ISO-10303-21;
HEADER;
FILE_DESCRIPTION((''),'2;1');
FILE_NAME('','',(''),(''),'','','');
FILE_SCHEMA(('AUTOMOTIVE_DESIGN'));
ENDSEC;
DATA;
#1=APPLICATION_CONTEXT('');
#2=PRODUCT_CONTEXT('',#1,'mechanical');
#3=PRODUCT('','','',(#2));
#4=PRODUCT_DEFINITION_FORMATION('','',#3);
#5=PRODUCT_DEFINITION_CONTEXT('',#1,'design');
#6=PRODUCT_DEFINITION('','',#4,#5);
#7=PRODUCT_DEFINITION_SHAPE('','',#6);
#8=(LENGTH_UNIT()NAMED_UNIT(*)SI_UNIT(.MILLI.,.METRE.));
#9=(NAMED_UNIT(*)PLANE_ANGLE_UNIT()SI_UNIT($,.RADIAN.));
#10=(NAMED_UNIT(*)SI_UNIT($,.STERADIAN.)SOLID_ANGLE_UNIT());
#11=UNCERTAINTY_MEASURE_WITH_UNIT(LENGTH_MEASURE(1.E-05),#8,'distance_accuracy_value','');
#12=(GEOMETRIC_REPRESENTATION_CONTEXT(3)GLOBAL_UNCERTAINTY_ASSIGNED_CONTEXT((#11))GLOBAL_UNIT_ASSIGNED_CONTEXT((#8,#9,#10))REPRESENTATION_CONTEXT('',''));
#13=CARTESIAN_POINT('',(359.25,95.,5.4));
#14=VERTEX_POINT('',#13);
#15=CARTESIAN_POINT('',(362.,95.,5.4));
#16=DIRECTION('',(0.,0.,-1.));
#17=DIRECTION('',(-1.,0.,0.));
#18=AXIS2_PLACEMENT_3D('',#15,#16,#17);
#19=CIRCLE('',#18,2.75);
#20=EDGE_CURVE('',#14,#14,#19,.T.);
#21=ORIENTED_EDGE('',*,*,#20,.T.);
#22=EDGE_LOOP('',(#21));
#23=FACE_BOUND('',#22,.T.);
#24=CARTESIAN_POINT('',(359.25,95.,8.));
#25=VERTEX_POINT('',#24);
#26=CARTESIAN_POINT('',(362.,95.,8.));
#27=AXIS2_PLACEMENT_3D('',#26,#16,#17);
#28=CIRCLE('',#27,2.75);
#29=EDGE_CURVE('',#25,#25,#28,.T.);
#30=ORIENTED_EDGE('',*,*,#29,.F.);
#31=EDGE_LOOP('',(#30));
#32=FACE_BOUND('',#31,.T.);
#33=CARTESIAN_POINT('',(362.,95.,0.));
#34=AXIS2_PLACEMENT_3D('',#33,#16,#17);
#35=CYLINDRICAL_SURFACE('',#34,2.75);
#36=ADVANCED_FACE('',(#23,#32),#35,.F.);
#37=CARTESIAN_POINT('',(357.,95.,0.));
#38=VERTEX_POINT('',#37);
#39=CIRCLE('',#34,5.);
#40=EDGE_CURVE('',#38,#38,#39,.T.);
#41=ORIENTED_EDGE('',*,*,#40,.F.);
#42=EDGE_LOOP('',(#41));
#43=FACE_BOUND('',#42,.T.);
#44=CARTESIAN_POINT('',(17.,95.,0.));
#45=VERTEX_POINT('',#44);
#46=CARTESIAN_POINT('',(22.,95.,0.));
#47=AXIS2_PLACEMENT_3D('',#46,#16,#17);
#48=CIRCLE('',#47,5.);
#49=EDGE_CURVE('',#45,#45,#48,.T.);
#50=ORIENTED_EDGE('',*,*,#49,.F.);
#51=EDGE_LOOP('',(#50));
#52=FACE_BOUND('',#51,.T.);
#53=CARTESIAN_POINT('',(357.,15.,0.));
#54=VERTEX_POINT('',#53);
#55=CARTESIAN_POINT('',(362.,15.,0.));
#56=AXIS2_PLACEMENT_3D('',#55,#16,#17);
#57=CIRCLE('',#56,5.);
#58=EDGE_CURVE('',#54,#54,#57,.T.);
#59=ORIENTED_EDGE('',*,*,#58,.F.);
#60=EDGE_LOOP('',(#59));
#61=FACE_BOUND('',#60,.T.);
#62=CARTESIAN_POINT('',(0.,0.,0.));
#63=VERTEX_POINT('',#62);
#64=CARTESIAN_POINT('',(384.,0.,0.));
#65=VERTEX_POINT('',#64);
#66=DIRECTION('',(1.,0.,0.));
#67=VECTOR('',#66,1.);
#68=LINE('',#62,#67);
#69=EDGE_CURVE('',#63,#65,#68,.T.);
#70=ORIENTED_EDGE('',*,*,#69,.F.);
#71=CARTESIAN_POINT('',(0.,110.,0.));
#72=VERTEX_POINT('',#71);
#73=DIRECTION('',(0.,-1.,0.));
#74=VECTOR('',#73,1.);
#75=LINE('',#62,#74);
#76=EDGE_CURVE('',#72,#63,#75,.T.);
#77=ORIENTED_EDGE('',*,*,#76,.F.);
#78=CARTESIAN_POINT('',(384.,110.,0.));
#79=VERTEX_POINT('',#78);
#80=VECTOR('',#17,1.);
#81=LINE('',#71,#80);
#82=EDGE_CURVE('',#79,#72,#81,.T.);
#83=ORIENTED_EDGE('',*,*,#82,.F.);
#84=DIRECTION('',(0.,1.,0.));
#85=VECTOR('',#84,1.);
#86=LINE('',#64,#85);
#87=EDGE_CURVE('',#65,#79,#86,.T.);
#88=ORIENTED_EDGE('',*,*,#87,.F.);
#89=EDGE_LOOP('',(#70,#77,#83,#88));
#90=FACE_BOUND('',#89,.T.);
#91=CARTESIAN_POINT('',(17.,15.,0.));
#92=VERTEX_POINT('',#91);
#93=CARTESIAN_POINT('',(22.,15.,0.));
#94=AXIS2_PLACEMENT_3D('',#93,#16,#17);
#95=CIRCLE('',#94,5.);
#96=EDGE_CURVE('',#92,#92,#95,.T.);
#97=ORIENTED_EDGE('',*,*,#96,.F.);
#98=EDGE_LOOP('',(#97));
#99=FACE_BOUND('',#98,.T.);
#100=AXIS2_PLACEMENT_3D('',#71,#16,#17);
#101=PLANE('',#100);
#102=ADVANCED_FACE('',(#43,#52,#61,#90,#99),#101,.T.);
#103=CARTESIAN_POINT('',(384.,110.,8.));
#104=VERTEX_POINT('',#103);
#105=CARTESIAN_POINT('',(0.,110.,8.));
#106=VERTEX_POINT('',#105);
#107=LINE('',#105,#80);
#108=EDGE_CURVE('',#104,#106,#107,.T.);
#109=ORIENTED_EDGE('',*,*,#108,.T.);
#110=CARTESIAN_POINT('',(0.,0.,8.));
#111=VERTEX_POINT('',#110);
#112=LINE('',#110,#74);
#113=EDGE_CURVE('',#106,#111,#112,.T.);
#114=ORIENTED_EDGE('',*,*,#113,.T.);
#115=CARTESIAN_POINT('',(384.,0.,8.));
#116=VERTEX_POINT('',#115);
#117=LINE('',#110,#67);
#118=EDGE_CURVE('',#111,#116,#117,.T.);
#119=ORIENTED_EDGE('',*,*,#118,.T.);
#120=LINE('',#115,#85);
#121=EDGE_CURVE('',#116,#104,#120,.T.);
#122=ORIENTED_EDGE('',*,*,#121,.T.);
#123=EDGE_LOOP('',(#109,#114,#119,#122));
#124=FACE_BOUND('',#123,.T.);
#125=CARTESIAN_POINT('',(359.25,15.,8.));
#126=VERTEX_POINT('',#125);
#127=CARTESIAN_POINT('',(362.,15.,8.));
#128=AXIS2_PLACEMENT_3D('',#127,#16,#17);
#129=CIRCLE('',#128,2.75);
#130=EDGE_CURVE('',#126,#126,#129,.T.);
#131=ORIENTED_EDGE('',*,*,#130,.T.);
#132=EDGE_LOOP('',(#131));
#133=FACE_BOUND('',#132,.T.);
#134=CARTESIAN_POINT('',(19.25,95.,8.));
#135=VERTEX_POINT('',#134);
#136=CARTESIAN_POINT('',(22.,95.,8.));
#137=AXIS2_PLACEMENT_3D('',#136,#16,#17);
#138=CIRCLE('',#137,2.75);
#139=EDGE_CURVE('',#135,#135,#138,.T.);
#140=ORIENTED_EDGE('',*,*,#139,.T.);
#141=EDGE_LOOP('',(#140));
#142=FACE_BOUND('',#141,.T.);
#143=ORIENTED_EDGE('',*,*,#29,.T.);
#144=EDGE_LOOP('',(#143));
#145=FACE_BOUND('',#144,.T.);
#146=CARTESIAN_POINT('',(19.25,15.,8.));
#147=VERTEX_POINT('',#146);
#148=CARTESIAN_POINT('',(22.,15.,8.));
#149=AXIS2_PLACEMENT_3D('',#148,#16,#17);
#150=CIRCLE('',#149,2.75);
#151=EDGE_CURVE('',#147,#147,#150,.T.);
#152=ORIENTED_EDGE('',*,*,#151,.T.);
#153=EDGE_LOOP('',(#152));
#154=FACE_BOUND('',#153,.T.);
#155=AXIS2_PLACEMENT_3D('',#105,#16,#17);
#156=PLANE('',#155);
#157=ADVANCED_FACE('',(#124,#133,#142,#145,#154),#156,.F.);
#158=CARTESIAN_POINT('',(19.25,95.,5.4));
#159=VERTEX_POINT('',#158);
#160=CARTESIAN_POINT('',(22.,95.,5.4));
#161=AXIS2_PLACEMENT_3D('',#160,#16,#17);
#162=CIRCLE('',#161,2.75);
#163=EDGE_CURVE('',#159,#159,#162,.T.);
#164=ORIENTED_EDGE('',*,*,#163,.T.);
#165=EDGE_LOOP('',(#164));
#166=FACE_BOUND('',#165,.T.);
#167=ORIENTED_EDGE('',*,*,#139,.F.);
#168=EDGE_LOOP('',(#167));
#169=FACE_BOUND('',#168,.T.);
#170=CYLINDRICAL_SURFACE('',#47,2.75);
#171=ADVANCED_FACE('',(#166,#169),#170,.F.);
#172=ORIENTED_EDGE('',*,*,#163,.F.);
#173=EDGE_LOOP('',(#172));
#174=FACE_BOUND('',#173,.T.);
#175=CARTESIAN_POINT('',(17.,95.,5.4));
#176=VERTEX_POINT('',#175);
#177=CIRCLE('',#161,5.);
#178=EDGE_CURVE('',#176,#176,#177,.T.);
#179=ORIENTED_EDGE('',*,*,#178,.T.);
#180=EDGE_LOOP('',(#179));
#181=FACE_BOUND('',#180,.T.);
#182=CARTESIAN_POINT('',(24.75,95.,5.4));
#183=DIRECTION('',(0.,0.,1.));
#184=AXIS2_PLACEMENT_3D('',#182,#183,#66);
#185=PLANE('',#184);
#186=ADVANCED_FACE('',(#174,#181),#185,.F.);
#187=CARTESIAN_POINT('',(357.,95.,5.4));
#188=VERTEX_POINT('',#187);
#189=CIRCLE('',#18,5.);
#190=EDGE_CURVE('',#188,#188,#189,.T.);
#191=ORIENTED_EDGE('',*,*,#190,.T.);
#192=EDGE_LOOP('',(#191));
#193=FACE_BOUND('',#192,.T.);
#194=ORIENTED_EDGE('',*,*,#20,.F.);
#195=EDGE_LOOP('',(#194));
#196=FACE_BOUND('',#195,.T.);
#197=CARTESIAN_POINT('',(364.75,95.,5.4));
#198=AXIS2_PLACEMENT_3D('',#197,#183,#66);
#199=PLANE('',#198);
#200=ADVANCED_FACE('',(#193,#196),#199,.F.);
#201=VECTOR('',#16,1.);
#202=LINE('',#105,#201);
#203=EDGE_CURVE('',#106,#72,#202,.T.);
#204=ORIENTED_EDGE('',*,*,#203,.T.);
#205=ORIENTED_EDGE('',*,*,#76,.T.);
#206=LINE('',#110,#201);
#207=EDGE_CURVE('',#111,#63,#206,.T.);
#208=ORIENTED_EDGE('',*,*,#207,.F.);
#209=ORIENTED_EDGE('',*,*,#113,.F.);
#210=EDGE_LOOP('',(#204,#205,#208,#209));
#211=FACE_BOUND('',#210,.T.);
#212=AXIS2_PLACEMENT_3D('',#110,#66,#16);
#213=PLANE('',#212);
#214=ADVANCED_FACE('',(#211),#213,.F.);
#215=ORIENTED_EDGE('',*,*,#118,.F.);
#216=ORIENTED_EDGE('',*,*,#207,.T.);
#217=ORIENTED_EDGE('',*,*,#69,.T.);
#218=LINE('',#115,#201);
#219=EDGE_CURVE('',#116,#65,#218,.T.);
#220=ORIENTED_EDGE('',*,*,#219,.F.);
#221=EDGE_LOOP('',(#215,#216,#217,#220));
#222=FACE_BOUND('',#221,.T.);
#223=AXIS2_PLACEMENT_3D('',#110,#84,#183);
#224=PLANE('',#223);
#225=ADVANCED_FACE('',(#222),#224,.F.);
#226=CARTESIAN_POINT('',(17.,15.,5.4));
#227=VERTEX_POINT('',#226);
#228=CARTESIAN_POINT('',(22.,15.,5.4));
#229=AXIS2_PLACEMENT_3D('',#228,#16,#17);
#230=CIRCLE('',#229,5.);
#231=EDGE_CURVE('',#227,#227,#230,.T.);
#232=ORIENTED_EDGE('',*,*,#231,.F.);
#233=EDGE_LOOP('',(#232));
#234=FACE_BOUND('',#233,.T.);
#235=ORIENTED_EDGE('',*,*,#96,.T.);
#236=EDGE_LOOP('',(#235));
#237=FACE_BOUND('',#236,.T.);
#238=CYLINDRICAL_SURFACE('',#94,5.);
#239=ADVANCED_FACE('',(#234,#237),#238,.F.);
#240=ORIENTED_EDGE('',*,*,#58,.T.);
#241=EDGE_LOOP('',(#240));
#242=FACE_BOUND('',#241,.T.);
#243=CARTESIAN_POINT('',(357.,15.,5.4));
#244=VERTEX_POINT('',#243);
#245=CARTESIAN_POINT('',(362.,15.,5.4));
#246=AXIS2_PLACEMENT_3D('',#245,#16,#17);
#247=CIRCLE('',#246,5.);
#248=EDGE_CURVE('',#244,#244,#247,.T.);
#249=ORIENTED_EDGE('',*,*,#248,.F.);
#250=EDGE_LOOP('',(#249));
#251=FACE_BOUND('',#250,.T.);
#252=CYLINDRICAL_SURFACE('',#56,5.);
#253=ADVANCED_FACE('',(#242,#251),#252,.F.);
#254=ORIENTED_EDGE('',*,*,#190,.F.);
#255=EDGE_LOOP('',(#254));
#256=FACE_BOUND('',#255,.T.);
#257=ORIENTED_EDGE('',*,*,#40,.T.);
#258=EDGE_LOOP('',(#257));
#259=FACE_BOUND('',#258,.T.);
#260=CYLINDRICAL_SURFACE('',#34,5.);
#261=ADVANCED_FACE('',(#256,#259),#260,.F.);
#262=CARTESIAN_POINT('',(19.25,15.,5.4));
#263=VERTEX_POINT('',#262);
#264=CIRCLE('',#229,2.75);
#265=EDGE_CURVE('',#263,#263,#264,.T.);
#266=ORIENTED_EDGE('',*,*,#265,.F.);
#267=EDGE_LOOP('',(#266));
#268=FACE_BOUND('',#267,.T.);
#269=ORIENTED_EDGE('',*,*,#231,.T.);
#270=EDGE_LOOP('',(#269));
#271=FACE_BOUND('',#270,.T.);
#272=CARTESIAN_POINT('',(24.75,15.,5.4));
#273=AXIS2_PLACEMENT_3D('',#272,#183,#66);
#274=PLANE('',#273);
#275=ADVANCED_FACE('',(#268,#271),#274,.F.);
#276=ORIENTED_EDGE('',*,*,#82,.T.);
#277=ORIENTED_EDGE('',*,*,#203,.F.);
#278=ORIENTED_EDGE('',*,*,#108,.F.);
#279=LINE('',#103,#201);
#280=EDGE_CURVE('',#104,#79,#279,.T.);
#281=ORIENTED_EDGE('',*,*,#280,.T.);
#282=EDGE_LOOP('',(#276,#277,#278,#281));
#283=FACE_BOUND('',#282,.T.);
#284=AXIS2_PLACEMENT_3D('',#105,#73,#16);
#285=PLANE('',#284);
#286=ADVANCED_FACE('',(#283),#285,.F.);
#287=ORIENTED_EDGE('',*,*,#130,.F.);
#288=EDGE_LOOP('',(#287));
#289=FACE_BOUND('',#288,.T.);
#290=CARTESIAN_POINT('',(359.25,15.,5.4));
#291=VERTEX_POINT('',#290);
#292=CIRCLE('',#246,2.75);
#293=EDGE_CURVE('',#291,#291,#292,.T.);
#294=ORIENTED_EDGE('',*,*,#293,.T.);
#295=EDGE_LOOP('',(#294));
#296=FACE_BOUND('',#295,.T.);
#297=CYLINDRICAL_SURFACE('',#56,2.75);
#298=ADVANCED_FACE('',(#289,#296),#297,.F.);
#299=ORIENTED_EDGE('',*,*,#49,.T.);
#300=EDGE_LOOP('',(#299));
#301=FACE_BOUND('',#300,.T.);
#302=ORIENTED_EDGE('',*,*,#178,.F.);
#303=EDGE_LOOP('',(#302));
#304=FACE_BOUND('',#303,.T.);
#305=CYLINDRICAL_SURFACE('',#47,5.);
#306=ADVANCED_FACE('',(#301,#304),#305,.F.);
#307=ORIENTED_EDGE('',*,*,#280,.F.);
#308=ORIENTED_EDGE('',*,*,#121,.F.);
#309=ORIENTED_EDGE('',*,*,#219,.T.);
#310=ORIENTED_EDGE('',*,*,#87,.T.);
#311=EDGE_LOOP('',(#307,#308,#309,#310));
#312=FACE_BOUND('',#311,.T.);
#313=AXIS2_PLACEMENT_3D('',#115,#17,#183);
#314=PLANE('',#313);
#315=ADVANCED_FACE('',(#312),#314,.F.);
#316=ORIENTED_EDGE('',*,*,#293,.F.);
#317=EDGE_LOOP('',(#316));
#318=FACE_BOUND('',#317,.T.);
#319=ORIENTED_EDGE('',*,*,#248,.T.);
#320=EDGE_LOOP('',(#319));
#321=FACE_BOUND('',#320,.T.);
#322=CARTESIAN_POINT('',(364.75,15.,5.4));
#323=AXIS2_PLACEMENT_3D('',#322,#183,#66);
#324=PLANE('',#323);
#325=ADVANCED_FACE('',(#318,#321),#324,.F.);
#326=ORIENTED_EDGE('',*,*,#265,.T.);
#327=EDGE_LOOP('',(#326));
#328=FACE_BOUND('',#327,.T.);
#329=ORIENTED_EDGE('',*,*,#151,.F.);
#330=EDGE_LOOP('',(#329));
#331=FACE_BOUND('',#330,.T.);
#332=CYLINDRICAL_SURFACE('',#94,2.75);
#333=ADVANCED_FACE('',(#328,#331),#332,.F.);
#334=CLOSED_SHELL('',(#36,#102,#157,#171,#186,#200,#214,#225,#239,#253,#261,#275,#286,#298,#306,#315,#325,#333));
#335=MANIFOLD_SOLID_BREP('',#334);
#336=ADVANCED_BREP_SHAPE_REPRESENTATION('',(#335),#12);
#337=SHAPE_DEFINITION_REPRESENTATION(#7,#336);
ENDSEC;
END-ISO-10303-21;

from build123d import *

# Parameters (mm, degrees)
SKETCH1_W                                           = 384
SKETCH1_H                                           = 110
EXTRUDE2_DEPTH                                      = 8
CBORE_FOR_M5_HEX_SOCKET_HEAD_CAP_SCREW1_D           = 5.5
CBORE_FOR_M5_HEX_SOCKET_HEAD_CAP_SCREW1_CBORE_D     = 10
CBORE_FOR_M5_HEX_SOCKET_HEAD_CAP_SCREW1_CBORE_DEPTH = 5.4


with BuildPart() as part:
    # Sketch1 → Extrude2 (new body)
    with BuildSketch(Plane.XY):
        with Locations((192, 55)):
            Rectangle(SKETCH1_W, SKETCH1_H)
    extrude(amount=EXTRUDE2_DEPTH)

    # CBORE for M5 Hex Socket Head Cap Screw1 (through all)
    with Locations(Plane(origin=(362, 95, 0), x_dir=(-1, 0, 0), z_dir=(0, 0, -1))):
        with Locations((0, 0), (340, 0), (340, -80), (0, -80)):
            CounterBoreHole(CBORE_FOR_M5_HEX_SOCKET_HEAD_CAP_SCREW1_D / 2, CBORE_FOR_M5_HEX_SOCKET_HEAD_CAP_SCREW1_CBORE_D / 2, CBORE_FOR_M5_HEX_SOCKET_HEAD_CAP_SCREW1_CBORE_DEPTH)


solid = part.part
